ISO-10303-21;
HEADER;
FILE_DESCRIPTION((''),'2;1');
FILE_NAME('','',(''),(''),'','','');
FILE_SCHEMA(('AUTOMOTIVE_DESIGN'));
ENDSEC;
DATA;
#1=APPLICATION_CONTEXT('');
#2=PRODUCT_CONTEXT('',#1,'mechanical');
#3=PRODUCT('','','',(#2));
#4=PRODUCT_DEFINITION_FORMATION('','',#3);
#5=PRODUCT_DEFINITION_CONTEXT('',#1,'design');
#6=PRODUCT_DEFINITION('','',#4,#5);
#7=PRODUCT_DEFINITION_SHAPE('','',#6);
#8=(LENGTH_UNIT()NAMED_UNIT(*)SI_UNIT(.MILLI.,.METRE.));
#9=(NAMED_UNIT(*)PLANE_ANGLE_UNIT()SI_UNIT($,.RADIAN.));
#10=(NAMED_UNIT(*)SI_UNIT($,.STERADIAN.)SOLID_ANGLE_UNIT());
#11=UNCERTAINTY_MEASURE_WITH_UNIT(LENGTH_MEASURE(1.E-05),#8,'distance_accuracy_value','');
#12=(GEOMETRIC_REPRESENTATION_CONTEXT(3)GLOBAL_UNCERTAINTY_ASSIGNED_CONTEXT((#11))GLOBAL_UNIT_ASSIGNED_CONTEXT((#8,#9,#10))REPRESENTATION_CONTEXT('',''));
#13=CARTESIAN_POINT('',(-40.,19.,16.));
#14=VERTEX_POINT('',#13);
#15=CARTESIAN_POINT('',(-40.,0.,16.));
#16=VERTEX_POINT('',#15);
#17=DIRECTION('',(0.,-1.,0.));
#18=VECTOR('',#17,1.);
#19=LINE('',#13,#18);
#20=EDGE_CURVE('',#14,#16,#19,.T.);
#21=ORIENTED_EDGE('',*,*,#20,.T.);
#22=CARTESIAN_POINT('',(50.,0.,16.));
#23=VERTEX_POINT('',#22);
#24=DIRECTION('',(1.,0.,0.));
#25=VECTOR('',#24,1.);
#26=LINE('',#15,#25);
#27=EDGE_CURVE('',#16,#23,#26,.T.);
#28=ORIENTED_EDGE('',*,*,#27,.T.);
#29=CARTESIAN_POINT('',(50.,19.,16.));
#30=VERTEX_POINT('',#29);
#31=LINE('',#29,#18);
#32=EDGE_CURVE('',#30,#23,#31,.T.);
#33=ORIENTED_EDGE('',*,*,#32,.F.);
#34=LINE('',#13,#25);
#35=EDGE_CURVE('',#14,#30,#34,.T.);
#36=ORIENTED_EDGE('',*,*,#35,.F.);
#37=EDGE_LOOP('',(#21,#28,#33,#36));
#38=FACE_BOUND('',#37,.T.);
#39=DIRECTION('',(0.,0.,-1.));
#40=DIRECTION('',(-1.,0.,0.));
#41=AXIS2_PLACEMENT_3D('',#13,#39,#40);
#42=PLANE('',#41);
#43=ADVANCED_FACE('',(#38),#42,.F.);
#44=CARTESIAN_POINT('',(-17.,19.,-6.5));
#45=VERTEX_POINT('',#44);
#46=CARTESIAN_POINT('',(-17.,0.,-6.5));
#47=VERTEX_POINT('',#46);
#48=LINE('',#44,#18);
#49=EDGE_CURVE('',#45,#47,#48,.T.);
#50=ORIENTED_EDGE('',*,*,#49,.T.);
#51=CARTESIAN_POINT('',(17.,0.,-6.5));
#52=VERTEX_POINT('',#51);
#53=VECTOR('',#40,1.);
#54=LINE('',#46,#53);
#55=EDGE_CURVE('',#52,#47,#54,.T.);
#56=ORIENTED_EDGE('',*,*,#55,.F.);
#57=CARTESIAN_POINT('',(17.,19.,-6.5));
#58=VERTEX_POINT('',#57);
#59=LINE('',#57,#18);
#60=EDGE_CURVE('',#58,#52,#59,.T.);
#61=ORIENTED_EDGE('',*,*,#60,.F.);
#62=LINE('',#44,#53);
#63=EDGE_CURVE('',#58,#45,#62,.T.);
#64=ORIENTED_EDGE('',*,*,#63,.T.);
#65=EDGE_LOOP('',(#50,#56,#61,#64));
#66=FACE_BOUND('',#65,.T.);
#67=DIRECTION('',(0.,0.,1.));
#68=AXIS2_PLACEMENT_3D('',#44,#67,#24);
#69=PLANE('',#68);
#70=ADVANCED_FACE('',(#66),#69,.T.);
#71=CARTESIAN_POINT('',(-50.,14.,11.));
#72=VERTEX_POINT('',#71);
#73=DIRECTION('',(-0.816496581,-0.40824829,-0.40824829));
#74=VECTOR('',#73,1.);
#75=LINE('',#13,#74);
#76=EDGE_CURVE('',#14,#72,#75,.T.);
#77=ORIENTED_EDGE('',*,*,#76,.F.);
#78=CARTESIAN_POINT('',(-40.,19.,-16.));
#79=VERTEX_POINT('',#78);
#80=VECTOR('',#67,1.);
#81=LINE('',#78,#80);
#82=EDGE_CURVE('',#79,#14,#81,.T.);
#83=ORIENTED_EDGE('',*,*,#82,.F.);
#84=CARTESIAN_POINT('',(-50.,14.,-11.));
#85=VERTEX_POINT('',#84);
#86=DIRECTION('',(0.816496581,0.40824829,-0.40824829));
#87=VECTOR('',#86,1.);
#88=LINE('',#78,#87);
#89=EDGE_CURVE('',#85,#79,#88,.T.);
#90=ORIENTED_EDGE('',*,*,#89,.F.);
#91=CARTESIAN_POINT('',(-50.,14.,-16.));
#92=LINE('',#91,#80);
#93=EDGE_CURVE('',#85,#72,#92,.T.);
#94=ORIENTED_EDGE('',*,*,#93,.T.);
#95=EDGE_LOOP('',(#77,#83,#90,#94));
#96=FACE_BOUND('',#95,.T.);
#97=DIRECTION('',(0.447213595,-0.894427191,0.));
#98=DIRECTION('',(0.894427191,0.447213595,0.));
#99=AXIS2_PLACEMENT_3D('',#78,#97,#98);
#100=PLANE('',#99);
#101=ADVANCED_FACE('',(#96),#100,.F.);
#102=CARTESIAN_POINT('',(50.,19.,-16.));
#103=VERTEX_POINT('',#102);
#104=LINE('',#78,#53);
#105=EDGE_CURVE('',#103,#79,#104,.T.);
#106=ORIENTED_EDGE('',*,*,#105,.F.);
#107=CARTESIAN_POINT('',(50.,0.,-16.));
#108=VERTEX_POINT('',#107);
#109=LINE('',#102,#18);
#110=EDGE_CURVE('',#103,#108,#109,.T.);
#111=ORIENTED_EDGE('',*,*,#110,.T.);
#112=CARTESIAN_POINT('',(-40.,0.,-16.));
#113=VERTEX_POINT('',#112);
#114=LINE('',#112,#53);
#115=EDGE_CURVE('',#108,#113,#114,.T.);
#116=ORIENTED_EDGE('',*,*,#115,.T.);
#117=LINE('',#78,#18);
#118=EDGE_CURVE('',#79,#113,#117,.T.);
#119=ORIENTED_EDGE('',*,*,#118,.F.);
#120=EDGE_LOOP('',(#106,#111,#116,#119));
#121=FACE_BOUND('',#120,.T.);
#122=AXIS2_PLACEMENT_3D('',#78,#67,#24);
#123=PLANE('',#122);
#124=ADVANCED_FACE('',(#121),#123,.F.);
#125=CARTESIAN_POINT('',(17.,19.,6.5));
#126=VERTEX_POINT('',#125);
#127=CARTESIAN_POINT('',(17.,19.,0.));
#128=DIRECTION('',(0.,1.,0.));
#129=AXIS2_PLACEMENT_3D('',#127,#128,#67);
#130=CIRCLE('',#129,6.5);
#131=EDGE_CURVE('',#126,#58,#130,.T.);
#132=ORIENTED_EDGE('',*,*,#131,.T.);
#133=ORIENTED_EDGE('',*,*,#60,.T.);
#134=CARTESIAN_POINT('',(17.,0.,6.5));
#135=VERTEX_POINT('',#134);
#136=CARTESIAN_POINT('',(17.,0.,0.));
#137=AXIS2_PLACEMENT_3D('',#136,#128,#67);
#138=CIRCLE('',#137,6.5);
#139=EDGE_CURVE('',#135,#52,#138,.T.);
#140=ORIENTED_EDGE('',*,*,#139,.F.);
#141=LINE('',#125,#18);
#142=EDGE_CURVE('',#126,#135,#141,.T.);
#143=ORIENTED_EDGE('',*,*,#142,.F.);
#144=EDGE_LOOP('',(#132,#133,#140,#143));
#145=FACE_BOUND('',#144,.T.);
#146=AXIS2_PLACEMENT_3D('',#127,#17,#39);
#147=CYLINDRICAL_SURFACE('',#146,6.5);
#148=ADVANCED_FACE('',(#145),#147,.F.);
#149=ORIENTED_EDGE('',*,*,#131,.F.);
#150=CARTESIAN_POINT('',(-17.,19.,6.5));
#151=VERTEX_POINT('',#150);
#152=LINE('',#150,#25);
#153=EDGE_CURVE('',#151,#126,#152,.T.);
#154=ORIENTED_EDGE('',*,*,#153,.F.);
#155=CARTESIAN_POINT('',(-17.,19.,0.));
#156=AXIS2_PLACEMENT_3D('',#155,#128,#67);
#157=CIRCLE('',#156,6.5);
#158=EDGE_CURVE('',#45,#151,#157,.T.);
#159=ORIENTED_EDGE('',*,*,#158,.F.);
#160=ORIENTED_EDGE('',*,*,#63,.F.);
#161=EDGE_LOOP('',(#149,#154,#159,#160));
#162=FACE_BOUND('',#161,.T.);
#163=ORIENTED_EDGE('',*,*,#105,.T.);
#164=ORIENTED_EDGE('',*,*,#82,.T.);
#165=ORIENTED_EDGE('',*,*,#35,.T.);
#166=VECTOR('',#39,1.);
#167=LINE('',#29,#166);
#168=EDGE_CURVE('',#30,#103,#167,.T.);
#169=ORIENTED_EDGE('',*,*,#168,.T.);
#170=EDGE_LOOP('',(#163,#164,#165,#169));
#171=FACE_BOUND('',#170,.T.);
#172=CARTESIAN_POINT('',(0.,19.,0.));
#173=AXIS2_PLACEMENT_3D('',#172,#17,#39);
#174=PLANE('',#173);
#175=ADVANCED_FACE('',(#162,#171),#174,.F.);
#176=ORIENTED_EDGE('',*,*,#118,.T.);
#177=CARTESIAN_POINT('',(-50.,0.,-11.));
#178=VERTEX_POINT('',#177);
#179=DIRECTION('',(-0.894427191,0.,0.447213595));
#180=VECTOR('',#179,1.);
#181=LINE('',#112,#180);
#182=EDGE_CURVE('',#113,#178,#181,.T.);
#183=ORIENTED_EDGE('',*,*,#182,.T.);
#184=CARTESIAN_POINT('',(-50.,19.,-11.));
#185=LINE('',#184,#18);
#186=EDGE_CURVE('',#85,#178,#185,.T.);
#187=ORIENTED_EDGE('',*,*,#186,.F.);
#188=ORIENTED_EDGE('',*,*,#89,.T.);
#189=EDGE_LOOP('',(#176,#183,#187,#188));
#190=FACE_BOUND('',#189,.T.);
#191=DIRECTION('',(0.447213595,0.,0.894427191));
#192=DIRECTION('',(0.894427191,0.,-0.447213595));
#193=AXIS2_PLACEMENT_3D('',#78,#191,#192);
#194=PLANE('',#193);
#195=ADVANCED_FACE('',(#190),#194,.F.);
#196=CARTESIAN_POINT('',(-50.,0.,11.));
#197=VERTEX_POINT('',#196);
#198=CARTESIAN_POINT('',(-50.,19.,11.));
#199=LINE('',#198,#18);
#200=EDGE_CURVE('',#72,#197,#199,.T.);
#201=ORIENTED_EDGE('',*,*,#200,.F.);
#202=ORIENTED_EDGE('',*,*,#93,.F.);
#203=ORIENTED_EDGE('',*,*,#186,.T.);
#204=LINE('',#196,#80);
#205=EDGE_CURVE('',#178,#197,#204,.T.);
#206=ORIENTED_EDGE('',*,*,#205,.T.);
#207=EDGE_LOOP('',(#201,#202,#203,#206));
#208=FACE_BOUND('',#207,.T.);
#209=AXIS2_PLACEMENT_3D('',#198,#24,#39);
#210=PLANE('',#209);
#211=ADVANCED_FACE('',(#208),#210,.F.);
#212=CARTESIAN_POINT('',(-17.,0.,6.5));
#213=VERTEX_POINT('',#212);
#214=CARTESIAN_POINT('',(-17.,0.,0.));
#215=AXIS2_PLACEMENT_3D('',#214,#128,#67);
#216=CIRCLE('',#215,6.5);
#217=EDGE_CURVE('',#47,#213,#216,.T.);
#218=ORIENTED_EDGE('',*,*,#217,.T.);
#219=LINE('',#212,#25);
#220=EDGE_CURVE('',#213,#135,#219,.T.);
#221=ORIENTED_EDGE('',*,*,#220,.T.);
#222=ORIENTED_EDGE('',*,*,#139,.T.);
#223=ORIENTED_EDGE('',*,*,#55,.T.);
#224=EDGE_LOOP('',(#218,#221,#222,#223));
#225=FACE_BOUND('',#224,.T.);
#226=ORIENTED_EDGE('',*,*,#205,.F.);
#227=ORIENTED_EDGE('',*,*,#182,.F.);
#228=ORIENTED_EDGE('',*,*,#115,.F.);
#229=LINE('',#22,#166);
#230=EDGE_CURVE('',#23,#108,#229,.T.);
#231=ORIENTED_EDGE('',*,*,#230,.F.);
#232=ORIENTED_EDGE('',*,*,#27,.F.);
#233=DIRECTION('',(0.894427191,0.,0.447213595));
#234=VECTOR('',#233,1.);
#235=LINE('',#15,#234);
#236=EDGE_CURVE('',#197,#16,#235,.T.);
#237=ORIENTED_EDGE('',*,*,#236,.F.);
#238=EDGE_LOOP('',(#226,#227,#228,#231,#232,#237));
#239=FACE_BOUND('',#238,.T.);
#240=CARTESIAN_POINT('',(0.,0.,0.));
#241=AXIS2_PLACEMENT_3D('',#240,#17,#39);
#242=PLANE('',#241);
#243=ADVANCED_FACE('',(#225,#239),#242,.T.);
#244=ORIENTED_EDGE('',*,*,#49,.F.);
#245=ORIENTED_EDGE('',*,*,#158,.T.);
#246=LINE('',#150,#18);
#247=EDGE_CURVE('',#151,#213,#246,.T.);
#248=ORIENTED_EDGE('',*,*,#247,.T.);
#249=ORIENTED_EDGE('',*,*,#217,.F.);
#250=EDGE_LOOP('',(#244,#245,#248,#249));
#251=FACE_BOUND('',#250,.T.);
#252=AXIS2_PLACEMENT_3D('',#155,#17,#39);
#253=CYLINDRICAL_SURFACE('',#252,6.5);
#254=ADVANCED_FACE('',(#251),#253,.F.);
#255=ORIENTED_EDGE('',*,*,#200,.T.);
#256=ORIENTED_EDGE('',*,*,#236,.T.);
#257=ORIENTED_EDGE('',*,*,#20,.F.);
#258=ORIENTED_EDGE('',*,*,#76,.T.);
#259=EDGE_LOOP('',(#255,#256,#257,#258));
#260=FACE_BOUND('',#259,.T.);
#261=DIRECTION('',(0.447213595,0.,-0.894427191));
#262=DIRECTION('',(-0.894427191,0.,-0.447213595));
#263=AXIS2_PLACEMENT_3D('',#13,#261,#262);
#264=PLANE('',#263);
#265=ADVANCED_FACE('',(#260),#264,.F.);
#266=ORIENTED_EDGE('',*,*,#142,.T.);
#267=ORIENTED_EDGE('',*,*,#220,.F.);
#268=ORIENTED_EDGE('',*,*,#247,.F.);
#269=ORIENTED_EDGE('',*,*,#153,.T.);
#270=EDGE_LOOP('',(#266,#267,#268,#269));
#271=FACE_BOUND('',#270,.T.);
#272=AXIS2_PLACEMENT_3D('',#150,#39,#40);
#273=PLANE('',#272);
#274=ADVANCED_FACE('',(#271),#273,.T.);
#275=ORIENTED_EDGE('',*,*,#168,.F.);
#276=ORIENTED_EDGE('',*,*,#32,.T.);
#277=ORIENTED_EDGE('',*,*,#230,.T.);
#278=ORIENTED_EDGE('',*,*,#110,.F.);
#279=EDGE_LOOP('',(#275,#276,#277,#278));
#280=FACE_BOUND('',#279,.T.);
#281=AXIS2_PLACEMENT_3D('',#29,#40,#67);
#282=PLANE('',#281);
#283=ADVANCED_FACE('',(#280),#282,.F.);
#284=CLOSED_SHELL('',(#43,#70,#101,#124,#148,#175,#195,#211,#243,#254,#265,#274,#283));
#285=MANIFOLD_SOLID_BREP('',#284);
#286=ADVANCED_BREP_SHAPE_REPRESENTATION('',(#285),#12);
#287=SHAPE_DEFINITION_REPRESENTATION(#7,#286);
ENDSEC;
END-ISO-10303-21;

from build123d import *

# Parameters (mm, degrees)
BOSS_EXTRUDE1_DEPTH = 19
CUT_EXTRUDE1_DEPTH  = 63.329768169


with BuildPart() as part:
    # Sketch1 → Boss-Extrude1 (new body)
    with BuildSketch(Plane(origin=(0, 0, 0), x_dir=(1, 0, 0), z_dir=(0, 1, 0))):
        Polygon((-40, -16), (50, -16), (50, 16), (-40, 16), (-50, 11), (-50, -11), align=None)
        with BuildLine():
            Line((-17, 6.5), (17, 6.5))
            ThreePointArc((17, 6.5), (23.5, 0), (17, -6.5))
            Line((17, -6.5), (-17, -6.5))
            ThreePointArc((-17, -6.5), (-23.5, 0), (-17, 6.5))
        make_face(mode=Mode.SUBTRACT)
    extrude(amount=BOSS_EXTRUDE1_DEPTH)

    # Sketch2 → Cut-Extrude1 (cut, through all)
    with BuildSketch(Plane.XY.offset(16)):
        Polygon((-50, 19), (-40, 19), (-50, 14), align=None)
    extrude(amount=-CUT_EXTRUDE1_DEPTH, mode=Mode.SUBTRACT)


solid = part.part
